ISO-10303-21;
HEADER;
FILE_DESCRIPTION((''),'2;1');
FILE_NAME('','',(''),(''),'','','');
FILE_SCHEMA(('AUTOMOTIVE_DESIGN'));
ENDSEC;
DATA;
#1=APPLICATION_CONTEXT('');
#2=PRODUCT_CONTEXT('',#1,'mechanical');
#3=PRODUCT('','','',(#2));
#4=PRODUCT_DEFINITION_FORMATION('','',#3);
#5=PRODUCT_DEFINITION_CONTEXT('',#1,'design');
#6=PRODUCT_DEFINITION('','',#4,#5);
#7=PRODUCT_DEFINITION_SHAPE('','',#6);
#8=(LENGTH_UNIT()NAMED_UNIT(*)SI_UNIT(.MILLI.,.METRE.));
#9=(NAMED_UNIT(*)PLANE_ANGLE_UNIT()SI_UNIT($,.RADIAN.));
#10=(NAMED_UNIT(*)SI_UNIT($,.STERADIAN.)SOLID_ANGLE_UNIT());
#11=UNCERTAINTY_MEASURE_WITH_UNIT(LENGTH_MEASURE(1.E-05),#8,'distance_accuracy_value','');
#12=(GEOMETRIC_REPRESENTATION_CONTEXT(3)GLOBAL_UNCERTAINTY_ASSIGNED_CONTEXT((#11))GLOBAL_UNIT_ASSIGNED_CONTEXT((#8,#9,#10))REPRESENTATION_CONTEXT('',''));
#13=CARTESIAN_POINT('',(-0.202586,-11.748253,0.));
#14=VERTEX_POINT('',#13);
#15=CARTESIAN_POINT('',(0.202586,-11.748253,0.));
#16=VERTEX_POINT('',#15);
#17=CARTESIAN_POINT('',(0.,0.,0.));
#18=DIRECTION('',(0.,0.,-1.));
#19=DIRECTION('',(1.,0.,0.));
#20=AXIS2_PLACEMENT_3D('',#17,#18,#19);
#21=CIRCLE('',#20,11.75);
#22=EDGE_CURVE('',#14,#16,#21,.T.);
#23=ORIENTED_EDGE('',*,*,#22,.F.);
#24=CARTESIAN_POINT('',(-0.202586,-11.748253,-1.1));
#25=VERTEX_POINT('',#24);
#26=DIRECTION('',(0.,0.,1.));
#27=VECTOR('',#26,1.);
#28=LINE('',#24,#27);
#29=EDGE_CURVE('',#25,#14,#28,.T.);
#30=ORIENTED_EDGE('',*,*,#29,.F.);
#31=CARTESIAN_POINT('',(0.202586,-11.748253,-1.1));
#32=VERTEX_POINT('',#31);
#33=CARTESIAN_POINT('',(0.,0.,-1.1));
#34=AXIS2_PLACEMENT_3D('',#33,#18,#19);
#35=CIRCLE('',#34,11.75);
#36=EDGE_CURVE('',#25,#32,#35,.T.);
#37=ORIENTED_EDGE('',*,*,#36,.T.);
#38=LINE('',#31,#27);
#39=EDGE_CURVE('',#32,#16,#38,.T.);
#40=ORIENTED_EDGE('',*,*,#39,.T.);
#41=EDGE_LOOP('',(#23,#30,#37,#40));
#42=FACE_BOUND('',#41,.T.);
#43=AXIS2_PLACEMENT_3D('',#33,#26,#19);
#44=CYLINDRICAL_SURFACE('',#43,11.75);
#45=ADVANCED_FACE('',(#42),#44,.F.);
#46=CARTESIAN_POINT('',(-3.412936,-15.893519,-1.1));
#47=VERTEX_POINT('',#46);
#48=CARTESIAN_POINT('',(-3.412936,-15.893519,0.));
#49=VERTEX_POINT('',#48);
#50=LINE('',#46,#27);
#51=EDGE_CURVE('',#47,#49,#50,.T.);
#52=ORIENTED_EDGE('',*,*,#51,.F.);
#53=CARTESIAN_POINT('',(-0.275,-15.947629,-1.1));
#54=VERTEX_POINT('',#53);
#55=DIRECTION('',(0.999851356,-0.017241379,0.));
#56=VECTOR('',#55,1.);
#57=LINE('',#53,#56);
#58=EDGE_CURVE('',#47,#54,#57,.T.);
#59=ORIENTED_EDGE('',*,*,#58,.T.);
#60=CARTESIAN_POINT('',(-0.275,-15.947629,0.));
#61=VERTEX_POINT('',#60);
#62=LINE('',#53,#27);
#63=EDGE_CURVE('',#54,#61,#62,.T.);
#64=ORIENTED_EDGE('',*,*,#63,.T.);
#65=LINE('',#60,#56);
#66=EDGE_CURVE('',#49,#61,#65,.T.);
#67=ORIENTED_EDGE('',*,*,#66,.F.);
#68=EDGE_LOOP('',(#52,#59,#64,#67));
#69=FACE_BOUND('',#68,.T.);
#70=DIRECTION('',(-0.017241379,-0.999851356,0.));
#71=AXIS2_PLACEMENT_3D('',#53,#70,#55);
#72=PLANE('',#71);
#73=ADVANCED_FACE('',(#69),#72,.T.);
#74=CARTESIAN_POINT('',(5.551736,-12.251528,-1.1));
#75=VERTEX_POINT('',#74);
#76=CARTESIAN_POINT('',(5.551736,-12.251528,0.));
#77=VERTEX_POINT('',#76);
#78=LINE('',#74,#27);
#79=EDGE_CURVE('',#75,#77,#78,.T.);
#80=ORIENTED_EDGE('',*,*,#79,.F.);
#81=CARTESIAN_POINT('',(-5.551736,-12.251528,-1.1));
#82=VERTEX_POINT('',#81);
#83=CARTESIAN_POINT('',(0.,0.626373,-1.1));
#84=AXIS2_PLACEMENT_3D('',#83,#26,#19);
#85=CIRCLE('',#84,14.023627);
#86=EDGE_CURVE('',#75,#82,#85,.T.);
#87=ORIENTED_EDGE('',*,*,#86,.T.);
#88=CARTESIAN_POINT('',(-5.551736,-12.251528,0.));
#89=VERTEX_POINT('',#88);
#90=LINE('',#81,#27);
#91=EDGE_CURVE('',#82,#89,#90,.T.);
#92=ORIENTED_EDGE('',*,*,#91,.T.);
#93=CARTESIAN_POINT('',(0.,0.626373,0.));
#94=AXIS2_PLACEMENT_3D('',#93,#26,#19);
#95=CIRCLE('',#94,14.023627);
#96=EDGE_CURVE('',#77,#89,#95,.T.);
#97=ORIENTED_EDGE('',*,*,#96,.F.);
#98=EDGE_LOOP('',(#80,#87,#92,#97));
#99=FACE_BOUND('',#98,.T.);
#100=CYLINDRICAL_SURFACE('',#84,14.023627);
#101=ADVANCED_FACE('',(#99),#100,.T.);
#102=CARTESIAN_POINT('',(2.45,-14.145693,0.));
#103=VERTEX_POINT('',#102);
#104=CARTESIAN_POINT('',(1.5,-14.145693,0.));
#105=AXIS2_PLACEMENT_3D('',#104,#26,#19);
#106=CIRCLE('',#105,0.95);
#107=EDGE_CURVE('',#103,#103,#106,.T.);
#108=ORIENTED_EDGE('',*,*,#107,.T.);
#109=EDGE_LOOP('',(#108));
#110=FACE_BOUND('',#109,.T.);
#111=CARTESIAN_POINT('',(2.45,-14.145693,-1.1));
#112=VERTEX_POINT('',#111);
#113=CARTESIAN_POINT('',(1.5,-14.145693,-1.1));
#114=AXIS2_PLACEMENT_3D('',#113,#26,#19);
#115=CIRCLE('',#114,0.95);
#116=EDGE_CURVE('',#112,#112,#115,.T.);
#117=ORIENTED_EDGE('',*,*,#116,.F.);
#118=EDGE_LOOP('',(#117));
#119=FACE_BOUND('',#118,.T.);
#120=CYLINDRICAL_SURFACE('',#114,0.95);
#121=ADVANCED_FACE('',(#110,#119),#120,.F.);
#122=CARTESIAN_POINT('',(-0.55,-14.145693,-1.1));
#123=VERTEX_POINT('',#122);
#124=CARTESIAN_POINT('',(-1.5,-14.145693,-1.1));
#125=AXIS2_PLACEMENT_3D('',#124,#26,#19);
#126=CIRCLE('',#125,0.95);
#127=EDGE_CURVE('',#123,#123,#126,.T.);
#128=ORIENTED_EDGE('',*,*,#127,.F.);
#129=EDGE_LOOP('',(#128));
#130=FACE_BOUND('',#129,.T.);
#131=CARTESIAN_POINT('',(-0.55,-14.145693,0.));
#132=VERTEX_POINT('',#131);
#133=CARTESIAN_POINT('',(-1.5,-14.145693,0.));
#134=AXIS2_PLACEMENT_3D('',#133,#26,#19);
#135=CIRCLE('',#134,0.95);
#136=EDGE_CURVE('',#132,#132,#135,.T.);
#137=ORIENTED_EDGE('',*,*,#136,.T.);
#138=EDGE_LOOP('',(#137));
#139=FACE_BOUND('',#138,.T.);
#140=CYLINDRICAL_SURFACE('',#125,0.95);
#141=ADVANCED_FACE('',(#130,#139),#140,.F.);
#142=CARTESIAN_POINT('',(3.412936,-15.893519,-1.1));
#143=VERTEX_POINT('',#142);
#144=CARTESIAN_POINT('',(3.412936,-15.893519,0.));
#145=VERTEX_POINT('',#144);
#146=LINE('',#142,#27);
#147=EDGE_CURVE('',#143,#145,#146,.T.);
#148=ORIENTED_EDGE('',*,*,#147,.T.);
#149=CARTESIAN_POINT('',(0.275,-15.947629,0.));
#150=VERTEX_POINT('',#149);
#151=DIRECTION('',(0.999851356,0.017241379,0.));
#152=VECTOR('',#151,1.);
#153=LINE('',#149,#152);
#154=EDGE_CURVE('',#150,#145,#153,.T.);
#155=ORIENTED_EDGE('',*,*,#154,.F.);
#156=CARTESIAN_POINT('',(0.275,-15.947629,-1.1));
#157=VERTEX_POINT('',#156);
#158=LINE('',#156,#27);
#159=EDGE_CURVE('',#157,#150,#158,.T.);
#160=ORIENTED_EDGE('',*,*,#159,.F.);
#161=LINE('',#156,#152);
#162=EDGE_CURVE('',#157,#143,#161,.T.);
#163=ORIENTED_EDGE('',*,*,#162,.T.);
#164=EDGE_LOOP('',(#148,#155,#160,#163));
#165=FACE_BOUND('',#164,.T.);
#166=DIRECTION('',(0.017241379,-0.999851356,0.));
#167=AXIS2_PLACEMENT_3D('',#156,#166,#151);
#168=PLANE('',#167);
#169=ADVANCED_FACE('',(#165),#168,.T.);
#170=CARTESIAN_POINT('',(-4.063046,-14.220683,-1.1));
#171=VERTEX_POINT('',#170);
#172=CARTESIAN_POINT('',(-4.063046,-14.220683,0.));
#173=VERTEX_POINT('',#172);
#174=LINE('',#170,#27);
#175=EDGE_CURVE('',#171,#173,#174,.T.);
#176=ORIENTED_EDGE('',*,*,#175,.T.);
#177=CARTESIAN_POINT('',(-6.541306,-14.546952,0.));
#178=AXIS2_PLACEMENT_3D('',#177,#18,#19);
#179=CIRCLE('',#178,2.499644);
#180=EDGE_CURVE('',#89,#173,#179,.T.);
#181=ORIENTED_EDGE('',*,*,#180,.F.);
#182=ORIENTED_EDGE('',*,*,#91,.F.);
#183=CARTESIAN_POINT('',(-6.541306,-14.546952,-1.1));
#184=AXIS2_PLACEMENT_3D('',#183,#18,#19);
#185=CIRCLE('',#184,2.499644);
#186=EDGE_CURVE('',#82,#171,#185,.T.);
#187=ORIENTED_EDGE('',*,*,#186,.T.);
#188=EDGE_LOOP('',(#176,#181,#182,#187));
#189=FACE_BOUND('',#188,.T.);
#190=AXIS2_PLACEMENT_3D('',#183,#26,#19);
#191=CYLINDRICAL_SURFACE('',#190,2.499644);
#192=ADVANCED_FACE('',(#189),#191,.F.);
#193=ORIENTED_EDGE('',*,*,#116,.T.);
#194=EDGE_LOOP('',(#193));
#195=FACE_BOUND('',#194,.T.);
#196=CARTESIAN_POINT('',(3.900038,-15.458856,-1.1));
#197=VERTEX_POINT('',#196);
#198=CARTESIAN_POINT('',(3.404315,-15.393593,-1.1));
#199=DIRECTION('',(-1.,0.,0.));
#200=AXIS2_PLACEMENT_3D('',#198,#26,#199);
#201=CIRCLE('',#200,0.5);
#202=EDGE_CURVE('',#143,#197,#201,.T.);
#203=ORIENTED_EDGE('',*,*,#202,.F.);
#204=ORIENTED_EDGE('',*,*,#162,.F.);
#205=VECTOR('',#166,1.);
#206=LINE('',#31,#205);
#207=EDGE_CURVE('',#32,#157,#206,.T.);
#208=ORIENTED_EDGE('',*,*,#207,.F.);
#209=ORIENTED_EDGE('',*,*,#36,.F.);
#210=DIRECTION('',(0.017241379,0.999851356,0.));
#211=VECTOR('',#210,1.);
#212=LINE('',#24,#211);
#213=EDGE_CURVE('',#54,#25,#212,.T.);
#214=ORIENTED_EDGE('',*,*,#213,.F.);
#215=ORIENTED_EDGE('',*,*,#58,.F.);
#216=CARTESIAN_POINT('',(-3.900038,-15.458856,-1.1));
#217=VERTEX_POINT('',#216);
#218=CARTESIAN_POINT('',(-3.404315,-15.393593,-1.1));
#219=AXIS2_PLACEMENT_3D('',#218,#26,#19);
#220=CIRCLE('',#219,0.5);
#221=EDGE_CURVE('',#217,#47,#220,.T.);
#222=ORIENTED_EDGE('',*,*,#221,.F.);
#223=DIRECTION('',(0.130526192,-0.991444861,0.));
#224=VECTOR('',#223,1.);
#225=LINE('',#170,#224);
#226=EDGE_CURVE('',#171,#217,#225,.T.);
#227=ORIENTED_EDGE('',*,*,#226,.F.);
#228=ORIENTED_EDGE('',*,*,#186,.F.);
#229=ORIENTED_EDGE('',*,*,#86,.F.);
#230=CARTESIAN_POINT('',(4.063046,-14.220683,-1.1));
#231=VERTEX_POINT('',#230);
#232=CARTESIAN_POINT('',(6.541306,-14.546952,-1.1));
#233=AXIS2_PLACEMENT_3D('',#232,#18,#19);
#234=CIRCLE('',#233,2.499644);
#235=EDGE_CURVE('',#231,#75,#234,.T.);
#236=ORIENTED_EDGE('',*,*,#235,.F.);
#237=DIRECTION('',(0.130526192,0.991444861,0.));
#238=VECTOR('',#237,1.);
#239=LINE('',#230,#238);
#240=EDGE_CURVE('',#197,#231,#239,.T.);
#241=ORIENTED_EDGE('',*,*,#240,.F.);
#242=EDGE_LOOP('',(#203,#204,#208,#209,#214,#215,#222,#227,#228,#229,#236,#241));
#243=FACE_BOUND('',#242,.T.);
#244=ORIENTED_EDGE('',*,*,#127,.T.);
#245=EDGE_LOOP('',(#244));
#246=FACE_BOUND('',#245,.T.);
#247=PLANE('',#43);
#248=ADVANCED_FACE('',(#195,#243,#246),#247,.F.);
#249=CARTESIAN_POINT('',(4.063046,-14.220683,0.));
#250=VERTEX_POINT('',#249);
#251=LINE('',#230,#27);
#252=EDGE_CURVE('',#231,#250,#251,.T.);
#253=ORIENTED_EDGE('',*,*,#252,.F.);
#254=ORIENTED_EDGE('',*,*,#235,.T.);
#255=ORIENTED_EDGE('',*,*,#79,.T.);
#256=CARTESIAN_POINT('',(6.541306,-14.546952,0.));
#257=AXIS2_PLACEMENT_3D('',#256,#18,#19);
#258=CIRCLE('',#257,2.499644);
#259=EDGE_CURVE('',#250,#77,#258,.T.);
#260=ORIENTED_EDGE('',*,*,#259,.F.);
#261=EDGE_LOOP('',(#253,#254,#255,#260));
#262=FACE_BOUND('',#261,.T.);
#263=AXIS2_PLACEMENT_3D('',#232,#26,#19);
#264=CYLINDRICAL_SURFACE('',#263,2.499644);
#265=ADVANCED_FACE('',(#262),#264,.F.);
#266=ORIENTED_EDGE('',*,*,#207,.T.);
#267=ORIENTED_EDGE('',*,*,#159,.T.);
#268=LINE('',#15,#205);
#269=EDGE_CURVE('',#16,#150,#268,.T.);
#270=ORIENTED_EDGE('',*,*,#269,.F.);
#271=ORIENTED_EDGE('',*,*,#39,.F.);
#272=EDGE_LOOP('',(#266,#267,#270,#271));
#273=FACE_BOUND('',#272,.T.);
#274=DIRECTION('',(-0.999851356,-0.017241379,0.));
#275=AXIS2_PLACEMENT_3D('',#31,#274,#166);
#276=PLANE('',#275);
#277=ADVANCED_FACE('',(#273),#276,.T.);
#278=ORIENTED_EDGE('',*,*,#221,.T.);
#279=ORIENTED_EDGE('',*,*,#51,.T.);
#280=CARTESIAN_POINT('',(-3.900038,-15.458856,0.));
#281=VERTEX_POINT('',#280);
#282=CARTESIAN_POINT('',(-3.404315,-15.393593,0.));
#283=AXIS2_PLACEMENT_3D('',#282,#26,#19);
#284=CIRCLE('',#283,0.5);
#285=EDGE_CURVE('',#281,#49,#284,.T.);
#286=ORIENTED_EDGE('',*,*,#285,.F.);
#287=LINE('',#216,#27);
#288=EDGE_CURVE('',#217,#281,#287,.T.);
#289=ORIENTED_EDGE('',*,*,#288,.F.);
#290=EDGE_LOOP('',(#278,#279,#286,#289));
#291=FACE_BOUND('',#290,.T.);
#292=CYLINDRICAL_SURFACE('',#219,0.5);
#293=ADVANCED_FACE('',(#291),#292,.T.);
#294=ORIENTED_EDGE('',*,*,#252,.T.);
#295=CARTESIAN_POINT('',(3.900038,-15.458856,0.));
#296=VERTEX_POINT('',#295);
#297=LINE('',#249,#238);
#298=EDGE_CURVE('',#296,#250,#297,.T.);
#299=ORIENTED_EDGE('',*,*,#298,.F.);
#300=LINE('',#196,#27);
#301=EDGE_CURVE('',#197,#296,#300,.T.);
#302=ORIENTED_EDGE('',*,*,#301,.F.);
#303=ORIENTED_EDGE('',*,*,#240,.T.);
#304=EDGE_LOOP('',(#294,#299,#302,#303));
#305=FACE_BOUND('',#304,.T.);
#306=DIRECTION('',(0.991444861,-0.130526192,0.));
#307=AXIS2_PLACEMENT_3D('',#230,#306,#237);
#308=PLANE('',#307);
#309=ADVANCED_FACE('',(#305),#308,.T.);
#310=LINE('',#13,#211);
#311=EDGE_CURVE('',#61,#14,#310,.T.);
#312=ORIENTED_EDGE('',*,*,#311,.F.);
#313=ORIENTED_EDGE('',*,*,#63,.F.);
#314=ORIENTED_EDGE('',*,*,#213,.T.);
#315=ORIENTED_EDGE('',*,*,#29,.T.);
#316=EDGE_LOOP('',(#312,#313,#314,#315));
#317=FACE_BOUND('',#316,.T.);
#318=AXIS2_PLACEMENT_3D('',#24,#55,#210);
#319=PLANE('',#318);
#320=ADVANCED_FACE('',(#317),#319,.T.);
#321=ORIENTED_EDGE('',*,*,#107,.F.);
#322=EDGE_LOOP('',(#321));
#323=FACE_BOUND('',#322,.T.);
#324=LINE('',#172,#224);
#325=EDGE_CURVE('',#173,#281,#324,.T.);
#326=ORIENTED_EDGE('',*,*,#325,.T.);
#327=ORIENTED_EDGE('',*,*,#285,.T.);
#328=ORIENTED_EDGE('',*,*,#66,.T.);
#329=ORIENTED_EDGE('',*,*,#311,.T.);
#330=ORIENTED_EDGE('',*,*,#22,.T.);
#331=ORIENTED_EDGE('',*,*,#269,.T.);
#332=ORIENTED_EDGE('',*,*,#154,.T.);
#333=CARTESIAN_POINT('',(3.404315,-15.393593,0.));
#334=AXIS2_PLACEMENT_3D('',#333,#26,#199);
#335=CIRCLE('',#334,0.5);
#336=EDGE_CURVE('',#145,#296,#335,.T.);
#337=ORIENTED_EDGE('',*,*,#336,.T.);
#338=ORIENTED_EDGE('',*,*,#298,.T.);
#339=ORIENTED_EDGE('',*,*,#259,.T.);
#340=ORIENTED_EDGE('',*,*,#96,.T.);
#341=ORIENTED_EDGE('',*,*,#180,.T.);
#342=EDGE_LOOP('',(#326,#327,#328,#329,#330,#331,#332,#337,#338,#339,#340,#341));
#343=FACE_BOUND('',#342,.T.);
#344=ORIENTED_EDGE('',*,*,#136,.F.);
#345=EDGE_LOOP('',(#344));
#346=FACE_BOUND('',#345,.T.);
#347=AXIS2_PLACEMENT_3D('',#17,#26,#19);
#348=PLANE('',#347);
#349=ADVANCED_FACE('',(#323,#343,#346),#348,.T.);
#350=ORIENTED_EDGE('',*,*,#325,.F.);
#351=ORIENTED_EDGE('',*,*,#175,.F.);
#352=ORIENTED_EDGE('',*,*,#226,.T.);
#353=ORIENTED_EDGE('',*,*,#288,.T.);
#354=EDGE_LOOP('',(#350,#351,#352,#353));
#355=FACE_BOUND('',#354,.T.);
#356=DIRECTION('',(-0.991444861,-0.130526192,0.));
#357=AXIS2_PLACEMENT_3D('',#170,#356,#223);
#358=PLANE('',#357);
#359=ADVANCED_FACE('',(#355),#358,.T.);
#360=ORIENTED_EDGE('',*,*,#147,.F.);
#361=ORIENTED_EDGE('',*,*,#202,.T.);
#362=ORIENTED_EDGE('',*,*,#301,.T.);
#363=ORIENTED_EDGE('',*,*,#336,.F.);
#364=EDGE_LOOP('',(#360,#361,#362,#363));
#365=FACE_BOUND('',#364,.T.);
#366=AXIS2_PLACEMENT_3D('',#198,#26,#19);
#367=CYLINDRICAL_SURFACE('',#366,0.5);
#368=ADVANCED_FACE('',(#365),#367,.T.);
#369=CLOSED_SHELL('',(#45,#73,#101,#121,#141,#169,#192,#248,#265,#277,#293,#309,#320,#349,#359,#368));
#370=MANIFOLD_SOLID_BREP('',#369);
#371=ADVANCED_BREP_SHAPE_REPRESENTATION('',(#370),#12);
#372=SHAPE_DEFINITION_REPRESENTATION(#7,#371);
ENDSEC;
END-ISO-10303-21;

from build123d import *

# Parameters (mm, degrees)
BODYSKE_R  = 0.95
BODY_DEPTH = 1.1


with BuildPart() as part:
    # BodySke → Body (new body)
    with BuildSketch(Plane.XY):
        with BuildLine():
            Line((0.202586207, -11.748253437), (0.275, -15.947629134))
            Line((0.275, -15.947629134), (3.412936149, -15.893518744))
            ThreePointArc((3.412936149, -15.893518744), (3.737216925, -15.766656886), (3.90003789, -15.458856161))
            Line((3.90003789, -15.458856161), (4.063046444, -14.220683266))
            ThreePointArc((4.063046444, -14.220683266), (4.547351567, -13.039514962), (5.551735507, -12.251528341))
            ThreePointArc((5.551735507, -12.251528341), (0, 14.65), (-5.551735507, -12.251528341))
            ThreePointArc((-5.551735507, -12.251528341), (-4.547351567, -13.039514962), (-4.063046444, -14.220683266))
            Line((-4.063046444, -14.220683266), (-3.90003789, -15.458856161))
            ThreePointArc((-3.90003789, -15.458856161), (-3.737216925, -15.766656886), (-3.412936149, -15.893518744))
            Line((-3.412936149, -15.893518744), (-0.275, -15.947629134))
            Line((-0.275, -15.947629134), (-0.202586207, -11.748253437))
            ThreePointArc((-0.202586207, -11.748253437), (0, 11.75), (0.202586207, -11.748253437))
        make_face()
        with Locations((1.5, -14.145692807)):
            Circle(BODYSKE_R, mode=Mode.SUBTRACT)
        with Locations((-1.5, -14.145692807)):
            Circle(BODYSKE_R, mode=Mode.SUBTRACT)
    extrude(amount=-BODY_DEPTH)


solid = part.part
